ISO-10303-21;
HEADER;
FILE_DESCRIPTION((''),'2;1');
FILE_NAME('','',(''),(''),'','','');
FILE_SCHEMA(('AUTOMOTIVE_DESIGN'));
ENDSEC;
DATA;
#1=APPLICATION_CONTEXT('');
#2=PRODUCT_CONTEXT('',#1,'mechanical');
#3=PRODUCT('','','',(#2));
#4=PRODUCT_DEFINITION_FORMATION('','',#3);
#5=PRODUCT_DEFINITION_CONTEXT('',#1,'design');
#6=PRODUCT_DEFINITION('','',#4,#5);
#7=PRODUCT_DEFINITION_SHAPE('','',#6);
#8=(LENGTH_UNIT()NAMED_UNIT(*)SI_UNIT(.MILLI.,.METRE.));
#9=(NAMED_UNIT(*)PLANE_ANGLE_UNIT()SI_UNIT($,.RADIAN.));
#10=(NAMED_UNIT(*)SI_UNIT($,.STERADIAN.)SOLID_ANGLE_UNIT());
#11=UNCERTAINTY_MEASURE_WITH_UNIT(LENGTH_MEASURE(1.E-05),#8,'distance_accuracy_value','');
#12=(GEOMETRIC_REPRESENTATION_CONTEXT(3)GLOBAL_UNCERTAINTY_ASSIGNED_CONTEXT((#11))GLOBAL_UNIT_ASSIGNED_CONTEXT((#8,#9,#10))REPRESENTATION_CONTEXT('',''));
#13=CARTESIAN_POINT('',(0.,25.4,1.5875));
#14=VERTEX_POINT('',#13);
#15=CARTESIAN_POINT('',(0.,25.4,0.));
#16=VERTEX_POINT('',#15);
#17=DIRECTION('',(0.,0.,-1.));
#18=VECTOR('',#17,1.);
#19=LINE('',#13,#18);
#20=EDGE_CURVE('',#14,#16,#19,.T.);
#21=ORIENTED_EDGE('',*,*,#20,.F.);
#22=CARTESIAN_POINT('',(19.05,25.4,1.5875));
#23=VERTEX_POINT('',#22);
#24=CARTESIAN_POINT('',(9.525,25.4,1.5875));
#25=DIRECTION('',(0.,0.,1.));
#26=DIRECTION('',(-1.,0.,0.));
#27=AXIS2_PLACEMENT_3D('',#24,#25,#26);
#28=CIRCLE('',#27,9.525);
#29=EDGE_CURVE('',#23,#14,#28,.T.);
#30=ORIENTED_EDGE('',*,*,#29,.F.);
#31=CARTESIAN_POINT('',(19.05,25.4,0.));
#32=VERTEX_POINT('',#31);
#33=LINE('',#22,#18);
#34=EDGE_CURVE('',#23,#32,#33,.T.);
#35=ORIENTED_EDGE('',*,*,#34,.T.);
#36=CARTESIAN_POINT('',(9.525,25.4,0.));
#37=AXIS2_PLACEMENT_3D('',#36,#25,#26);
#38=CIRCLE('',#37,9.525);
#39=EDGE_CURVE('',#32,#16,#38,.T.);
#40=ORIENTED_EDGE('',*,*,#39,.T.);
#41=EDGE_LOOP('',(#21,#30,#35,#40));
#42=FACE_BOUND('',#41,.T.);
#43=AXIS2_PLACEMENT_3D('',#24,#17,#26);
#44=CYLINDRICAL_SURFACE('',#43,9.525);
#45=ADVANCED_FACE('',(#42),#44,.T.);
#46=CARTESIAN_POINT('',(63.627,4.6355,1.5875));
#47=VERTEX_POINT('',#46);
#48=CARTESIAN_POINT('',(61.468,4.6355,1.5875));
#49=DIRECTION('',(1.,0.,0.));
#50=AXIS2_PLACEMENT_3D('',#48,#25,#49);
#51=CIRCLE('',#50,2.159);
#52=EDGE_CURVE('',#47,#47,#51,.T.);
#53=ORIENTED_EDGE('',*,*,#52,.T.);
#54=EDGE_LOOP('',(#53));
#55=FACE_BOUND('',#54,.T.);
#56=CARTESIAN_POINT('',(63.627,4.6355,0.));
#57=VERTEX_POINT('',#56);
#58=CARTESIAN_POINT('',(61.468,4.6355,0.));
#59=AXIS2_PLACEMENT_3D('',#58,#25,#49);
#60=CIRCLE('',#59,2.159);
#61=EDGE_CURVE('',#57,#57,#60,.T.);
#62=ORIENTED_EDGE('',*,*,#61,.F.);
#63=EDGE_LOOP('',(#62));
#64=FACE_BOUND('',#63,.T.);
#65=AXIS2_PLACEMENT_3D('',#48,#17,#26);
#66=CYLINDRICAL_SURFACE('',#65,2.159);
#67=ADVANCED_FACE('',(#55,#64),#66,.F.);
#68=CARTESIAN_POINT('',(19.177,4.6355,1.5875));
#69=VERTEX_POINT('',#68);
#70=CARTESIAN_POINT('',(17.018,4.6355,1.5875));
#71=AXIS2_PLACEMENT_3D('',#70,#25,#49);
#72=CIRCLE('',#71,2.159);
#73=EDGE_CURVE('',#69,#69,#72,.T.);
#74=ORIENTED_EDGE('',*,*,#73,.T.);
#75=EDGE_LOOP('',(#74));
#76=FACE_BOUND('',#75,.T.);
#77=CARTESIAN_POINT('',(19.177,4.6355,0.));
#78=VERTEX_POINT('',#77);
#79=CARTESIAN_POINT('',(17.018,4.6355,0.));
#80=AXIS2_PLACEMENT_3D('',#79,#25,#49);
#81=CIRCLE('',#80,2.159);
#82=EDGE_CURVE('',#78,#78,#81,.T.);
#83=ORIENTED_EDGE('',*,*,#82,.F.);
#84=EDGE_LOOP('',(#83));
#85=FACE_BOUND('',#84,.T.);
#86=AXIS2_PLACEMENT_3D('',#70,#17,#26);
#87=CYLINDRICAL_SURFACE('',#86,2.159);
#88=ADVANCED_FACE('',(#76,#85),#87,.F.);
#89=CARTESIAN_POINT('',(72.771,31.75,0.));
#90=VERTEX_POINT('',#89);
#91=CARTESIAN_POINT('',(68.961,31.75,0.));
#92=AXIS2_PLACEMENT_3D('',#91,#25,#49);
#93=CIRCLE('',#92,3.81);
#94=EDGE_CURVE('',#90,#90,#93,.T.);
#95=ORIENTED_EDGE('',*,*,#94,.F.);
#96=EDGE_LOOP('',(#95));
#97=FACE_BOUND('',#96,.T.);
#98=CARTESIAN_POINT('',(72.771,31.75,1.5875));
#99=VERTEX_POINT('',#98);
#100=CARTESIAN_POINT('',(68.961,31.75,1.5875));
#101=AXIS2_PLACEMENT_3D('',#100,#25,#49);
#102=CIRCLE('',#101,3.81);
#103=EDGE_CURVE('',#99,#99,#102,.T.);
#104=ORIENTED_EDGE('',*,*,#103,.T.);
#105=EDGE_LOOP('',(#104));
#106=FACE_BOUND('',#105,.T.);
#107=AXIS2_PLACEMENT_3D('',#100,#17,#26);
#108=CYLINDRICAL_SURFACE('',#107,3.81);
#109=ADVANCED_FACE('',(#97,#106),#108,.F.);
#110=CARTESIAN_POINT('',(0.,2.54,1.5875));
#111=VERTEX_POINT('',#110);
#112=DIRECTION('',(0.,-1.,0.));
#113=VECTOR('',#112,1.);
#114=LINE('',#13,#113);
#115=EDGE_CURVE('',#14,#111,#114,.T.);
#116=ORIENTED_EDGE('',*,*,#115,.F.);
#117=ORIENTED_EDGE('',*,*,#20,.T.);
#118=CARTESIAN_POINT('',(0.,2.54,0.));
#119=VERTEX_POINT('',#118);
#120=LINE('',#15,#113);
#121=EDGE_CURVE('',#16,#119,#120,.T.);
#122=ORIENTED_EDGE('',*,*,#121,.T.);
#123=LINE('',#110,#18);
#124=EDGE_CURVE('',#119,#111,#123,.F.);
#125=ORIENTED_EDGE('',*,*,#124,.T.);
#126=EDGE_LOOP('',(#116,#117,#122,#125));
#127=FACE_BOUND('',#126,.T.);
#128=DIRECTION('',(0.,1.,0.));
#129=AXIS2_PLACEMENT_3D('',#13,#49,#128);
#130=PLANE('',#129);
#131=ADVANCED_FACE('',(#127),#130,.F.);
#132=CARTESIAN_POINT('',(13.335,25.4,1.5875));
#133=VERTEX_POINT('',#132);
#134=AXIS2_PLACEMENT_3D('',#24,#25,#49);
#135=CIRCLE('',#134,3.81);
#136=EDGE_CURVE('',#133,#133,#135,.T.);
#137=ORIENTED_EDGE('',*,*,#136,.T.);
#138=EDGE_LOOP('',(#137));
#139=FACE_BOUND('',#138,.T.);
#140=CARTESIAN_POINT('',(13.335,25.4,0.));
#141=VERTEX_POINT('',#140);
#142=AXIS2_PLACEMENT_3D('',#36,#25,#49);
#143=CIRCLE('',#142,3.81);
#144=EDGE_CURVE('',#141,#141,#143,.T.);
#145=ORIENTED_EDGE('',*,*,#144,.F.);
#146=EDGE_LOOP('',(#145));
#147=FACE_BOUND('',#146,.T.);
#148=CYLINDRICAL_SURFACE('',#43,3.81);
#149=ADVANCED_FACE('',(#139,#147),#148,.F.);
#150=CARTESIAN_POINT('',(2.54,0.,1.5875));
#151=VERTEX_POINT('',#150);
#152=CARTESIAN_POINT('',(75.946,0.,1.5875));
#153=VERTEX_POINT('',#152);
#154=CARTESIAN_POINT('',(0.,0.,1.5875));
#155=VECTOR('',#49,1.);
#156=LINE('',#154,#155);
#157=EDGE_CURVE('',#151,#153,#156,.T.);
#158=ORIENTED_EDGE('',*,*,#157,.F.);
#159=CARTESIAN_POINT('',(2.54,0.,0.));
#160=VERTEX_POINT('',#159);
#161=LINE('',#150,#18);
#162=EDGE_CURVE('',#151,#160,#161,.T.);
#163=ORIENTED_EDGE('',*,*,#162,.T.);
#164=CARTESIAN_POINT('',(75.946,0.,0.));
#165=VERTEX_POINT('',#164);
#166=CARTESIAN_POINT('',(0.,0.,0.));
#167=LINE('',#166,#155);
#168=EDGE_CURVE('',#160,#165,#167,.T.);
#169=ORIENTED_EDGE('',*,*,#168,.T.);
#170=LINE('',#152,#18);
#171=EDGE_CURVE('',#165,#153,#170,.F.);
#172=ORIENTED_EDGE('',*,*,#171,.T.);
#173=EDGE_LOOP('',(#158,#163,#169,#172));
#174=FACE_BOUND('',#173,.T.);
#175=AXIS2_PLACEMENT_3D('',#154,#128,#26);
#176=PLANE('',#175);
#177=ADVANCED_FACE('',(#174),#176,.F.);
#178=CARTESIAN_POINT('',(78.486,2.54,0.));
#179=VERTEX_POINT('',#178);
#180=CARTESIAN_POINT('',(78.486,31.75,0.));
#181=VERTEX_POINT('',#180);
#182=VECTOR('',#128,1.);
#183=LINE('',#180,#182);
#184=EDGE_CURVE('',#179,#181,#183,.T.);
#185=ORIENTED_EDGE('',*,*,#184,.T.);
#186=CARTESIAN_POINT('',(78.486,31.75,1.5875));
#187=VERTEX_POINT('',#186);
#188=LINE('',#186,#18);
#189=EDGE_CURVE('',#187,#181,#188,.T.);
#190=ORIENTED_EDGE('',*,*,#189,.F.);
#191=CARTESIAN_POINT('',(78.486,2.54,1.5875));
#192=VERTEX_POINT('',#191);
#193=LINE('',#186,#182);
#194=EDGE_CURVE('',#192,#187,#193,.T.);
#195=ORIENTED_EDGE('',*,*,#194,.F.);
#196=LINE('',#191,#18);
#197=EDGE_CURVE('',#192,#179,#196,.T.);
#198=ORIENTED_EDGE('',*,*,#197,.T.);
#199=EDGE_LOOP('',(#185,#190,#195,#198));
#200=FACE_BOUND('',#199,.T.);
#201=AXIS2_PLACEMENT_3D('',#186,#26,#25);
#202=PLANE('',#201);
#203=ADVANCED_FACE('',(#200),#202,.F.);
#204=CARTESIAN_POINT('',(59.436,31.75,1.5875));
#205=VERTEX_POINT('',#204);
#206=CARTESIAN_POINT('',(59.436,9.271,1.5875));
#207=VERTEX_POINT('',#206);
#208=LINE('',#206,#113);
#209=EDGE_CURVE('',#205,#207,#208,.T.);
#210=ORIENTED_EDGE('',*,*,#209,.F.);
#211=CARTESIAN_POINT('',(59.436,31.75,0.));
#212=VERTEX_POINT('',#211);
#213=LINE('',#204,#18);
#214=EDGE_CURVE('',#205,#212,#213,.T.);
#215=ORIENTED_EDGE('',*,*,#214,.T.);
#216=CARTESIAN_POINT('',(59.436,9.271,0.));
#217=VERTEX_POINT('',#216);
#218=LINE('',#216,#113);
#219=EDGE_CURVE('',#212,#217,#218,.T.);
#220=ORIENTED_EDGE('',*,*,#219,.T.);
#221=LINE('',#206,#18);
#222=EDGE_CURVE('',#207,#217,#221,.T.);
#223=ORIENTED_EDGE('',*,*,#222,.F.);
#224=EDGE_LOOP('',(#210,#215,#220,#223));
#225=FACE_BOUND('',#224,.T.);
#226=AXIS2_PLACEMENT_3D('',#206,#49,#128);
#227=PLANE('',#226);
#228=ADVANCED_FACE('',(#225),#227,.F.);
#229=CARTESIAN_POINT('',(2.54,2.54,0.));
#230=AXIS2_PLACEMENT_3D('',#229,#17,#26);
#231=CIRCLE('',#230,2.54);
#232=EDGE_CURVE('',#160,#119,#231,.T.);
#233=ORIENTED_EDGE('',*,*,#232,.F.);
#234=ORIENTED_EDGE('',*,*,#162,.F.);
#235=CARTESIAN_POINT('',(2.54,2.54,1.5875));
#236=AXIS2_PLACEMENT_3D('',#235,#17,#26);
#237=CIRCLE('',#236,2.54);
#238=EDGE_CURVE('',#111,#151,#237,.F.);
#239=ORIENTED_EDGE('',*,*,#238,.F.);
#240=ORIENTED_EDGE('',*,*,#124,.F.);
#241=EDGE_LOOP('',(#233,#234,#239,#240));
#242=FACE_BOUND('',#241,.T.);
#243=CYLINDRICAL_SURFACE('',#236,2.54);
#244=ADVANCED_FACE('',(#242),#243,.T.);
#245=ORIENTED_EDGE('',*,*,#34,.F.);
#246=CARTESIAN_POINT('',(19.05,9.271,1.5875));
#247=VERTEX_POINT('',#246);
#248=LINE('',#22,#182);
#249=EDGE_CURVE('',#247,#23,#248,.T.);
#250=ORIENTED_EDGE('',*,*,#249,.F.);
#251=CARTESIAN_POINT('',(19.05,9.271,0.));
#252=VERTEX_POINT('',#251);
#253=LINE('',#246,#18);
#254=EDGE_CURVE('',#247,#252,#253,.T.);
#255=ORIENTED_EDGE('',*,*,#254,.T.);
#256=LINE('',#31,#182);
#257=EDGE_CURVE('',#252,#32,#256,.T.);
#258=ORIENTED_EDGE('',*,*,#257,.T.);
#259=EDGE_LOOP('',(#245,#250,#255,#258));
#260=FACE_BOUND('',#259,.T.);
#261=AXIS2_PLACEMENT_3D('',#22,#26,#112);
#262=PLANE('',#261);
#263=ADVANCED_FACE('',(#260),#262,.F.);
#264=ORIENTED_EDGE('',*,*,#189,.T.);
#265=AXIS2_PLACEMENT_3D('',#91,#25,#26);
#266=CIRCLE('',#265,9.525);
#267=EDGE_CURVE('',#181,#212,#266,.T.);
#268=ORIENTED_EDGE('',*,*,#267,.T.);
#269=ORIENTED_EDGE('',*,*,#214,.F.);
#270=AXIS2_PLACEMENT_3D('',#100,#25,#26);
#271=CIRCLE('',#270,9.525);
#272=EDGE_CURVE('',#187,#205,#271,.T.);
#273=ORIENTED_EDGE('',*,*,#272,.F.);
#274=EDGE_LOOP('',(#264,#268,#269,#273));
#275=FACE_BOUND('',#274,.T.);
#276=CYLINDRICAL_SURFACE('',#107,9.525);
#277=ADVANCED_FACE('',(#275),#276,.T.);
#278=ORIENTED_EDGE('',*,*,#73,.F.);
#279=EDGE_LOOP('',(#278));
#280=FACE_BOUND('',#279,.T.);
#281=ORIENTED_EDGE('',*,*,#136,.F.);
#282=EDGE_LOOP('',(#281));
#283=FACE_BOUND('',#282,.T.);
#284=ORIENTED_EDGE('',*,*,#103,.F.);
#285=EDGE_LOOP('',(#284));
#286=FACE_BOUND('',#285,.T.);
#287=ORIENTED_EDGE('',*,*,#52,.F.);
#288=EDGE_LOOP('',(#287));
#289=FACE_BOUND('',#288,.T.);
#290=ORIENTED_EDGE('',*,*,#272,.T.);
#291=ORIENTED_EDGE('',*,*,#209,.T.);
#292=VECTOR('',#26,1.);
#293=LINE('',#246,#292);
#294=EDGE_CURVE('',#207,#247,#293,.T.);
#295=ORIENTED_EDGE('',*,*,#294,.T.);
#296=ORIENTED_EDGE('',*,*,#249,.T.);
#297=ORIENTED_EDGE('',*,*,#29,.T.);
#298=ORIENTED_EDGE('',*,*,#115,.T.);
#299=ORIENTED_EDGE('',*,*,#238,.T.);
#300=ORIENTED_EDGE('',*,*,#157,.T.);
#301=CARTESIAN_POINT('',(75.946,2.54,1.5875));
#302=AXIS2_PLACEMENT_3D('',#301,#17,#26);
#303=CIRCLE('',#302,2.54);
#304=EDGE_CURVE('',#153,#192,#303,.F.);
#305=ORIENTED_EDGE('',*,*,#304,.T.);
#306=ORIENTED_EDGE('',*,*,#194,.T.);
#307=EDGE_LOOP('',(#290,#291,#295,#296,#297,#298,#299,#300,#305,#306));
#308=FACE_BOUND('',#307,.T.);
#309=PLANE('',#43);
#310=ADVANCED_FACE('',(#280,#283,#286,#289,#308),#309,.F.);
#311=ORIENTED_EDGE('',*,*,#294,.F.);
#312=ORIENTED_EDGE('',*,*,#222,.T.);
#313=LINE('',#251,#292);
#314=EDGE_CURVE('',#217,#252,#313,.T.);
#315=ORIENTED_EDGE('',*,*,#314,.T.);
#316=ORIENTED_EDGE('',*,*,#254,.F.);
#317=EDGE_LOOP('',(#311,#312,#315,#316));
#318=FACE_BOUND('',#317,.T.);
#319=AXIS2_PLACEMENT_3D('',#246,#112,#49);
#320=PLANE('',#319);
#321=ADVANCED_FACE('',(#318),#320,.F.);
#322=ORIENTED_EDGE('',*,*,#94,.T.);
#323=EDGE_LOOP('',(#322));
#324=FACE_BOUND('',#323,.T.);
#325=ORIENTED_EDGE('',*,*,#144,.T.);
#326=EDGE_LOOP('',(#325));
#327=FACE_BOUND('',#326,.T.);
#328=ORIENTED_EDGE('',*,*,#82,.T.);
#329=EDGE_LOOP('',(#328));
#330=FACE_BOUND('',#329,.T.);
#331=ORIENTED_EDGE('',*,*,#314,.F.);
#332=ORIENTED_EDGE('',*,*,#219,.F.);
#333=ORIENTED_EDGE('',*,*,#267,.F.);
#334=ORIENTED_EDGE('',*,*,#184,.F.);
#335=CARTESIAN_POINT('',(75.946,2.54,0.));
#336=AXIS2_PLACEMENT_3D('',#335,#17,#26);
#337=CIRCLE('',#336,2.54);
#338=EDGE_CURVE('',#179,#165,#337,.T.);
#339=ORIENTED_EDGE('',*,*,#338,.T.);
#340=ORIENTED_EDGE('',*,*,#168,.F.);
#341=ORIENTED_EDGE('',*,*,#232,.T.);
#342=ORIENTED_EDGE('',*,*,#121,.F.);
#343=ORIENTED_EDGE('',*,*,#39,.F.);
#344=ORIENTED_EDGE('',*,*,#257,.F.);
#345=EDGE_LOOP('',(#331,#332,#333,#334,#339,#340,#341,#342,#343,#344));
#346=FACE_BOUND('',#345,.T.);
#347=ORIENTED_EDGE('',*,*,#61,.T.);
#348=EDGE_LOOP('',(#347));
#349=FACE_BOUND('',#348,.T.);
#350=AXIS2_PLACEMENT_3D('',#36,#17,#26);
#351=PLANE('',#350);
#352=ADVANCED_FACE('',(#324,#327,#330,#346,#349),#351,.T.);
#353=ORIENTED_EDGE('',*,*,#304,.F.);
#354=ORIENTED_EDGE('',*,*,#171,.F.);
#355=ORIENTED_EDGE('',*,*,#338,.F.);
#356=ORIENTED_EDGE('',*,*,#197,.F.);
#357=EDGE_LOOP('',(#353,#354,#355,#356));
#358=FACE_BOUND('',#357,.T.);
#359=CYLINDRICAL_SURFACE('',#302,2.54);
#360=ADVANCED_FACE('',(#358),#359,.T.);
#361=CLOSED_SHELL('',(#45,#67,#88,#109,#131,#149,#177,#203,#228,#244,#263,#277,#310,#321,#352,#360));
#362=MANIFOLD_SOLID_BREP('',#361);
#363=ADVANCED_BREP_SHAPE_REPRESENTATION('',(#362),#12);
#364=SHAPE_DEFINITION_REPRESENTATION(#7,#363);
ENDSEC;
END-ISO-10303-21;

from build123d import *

# Parameters (mm, degrees)
SKETCH1_R           = 2.159
SKETCH1_R_2         = 3.81
BOSS_EXTRUDE1_DEPTH = 1.5875
FILLET1_R           = 2.54


with BuildPart() as part:
    # Sketch1 → Boss-Extrude1 (new body)
    with BuildSketch(Plane.XY):
        with BuildLine():
            Line((0, 25.4), (0, 0))
            Line((0, 0), (78.486, 0))
            Line((78.486, 0), (78.486, 31.75))
            ThreePointArc((78.486, 31.75), (68.961, 41.275), (59.436, 31.75))
            Line((59.436, 31.75), (59.436, 9.271))
            Line((59.436, 9.271), (19.05, 9.271))
            Line((19.05, 9.271), (19.05, 25.4))
            ThreePointArc((19.05, 25.4), (9.525, 34.925), (0, 25.4))
        make_face()
        with Locations((17.018, 4.6355)):
            Circle(SKETCH1_R, mode=Mode.SUBTRACT)
        with Locations((61.468, 4.6355)):
            Circle(SKETCH1_R, mode=Mode.SUBTRACT)
        with Locations((9.525, 25.4)):
            Circle(SKETCH1_R_2, mode=Mode.SUBTRACT)
        with Locations((68.961, 31.75)):
            Circle(SKETCH1_R_2, mode=Mode.SUBTRACT)
    extrude(amount=BOSS_EXTRUDE1_DEPTH)

    # Fillet1
    fillet1_edges = [part.edges().sort_by_distance(p)[0] for p in [
        (78.486, 0, 0.79375),
        (0, 0, 0.79375),
    ]]
    fillet(fillet1_edges, radius=FILLET1_R)


solid = part.part
